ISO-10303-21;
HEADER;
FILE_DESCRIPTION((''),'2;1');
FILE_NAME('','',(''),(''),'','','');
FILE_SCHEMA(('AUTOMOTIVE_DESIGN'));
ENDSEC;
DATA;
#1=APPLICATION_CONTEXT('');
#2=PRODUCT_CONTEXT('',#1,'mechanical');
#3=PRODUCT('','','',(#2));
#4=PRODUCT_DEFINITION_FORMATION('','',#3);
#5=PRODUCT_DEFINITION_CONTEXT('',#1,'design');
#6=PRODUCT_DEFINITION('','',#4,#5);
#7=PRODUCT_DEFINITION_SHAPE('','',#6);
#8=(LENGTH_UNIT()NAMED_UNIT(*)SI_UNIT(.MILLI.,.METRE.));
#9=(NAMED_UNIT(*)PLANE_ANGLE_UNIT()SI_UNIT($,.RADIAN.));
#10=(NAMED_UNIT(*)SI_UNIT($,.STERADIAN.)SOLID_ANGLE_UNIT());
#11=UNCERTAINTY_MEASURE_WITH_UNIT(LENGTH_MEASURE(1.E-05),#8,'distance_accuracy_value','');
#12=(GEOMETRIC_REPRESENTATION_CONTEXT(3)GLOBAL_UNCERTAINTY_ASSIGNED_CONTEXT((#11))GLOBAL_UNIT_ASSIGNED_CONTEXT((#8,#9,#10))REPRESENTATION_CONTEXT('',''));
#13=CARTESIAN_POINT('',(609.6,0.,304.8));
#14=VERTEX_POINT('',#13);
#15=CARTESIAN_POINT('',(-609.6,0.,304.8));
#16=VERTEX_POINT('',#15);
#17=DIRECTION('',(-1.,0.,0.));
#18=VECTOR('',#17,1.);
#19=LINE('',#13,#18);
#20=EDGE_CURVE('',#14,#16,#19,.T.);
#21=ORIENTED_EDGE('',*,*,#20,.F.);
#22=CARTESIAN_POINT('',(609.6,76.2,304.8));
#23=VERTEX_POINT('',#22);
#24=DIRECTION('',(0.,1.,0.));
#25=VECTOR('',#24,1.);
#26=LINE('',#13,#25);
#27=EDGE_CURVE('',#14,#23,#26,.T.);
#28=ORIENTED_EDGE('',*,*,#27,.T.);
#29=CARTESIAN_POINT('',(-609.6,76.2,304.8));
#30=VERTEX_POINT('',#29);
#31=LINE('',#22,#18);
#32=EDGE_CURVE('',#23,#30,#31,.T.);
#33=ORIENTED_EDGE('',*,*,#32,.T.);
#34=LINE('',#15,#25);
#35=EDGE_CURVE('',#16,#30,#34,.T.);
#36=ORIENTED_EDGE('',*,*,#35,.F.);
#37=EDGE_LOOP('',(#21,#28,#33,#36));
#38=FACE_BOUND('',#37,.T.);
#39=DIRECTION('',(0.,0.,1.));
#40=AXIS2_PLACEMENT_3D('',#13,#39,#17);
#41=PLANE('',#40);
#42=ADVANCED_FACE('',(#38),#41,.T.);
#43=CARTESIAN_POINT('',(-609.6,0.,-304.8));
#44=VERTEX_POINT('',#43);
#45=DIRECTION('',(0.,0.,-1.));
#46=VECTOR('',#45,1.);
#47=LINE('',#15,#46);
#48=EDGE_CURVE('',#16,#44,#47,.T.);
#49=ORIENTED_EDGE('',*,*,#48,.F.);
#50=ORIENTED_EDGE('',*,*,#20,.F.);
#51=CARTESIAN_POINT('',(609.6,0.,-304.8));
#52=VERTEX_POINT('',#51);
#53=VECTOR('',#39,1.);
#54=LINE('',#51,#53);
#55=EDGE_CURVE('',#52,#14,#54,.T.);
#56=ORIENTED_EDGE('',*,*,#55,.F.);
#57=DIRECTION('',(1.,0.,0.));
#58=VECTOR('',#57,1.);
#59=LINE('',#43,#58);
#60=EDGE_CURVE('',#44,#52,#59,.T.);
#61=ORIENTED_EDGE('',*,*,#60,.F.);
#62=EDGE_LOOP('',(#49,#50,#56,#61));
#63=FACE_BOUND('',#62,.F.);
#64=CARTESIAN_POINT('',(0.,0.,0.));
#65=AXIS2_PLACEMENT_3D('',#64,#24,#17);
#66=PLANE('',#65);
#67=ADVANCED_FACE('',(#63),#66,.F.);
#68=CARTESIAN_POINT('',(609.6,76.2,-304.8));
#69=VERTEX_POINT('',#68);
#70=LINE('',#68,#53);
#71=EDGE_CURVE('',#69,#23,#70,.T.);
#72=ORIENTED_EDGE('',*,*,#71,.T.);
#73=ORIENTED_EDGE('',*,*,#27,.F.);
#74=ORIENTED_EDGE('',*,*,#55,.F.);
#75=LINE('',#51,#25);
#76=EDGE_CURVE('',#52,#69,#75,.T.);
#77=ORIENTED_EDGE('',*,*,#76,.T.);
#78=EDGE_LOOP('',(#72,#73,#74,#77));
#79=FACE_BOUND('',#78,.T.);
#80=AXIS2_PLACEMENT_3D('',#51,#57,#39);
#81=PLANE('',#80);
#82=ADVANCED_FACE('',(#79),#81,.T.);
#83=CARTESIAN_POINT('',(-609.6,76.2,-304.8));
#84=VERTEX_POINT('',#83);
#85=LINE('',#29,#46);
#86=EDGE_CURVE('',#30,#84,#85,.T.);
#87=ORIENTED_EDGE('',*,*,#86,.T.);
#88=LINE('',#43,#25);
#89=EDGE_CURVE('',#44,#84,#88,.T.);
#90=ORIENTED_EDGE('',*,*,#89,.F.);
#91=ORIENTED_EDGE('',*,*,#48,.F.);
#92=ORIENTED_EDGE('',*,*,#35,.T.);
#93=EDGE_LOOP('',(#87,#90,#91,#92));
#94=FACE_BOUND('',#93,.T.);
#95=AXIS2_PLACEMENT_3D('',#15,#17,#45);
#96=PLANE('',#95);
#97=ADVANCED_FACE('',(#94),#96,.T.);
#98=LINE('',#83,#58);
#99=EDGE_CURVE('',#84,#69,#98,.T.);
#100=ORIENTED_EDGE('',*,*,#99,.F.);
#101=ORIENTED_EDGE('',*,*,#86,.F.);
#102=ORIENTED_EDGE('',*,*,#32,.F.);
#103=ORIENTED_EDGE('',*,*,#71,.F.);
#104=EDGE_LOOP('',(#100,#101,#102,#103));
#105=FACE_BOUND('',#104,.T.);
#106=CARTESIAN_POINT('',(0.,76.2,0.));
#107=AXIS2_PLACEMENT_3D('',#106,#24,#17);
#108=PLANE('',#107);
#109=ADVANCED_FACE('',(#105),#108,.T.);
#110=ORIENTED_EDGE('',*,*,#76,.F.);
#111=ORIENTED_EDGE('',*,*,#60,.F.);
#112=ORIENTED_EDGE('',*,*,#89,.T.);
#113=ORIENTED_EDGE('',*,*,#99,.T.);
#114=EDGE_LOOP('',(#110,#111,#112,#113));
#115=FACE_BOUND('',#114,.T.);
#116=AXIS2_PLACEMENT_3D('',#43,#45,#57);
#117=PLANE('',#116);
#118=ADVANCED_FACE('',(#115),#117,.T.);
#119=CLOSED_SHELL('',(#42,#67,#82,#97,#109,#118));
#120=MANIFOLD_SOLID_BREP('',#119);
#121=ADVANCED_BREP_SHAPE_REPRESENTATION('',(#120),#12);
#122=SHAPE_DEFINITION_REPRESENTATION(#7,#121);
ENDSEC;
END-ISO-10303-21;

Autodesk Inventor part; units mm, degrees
ref_plane "YZ Plane" through (0, 0, 0) normal (1, 0, 0) x (0, 1, 0)
ref_plane "XZ Plane" through (0, 0, 0) normal (0, 1, 0) x (-1, 0, 0)
ref_plane "XY Plane" through (0, 0, 0) normal (0, 0, 1) x (1, 0, 0)
sketch "Sketch1" plane through (0, 0, 0) normal (0, 1, 0) x (-1, 0, 0)
  line L0 (609.6, -304.8) -> (-609.6, -304.8)
  line L1 (-609.6, -304.8) -> (-609.6, 304.8)
  line L2 (-609.6, 304.8) -> (609.6, 304.8)
  line L3 (609.6, 304.8) -> (609.6, -304.8)
  line L4 (609.6, -304.8) -> (-609.6, 304.8) construction
  line L5 (-609.6, -304.8) -> (609.6, 304.8) construction
  point P0 (0, 0)
  dimension "d0" = 1219.2
  dimension "d1" = 609.6
extrude "Extrusion1" add sketch "Sketch1" along normal blind 76.2
properties part number "Plinth paver ST-1 3x24x48" material "Limestone"
